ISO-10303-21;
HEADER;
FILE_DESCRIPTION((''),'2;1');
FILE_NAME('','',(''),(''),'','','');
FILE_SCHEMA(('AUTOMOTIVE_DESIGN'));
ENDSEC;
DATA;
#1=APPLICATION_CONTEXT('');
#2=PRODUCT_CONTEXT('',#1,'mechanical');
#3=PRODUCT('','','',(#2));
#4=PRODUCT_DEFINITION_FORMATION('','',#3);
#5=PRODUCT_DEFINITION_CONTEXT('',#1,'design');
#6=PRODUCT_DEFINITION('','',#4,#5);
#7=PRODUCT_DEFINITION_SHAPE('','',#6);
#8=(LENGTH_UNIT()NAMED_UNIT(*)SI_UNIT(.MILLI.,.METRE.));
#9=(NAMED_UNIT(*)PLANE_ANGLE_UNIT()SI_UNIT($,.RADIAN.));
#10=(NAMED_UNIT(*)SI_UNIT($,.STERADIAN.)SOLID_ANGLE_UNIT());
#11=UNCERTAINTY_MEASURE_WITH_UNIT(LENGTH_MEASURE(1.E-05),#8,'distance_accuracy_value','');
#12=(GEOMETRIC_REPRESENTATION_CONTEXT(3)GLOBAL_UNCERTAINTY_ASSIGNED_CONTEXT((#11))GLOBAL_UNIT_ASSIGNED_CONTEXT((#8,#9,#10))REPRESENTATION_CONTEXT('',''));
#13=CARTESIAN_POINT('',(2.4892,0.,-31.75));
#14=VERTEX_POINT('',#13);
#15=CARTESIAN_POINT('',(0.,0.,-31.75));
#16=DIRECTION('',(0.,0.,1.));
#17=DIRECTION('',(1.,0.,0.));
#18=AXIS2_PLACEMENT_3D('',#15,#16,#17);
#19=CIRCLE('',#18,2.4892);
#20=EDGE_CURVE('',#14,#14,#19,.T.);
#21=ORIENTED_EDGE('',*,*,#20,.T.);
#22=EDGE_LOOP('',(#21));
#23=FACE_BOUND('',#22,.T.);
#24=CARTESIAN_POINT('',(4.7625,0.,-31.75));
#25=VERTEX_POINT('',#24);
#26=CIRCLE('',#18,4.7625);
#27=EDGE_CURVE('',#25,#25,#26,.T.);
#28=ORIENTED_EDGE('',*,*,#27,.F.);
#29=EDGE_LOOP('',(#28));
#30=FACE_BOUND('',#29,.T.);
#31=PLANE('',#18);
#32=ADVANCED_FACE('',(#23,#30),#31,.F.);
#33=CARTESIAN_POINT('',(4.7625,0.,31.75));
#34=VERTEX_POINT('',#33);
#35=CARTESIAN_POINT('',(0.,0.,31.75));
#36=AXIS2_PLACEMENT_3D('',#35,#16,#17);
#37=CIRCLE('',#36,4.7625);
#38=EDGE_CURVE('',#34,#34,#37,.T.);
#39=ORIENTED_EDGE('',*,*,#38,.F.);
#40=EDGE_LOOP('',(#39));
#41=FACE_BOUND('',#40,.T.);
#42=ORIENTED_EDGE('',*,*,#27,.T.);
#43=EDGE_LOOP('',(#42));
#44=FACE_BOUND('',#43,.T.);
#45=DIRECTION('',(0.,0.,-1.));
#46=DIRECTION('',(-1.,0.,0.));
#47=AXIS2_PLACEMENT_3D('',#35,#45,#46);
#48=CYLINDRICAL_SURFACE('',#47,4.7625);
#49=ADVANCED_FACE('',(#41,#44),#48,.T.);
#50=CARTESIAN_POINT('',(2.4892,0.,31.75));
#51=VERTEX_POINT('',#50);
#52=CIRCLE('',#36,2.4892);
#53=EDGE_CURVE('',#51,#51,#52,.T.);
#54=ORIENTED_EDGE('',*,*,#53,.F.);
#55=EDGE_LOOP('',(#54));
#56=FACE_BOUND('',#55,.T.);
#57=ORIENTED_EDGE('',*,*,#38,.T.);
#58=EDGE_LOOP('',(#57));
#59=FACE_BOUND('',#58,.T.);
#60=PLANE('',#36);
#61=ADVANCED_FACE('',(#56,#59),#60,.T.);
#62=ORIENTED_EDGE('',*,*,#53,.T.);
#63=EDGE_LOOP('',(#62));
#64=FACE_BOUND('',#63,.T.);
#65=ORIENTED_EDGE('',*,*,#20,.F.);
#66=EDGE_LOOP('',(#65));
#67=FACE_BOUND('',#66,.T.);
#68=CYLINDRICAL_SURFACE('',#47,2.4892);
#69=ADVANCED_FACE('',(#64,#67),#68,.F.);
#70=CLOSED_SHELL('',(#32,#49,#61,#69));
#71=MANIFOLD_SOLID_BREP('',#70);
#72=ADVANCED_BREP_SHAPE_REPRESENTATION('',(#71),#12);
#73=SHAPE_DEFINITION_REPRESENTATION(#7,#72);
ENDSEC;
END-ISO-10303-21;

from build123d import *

# Parameters (mm, degrees)
SKETCH1_R           = 4.7625
SKETCH1_R_2         = 2.4892
BOSS_EXTRUDE1_DEPTH = 31.75


with BuildPart() as part:
    # Sketch1 → Boss-Extrude1 (new, symmetric)
    with BuildSketch(Plane.XY):
        Circle(SKETCH1_R)
        Circle(SKETCH1_R_2, mode=Mode.SUBTRACT)
    extrude(amount=BOSS_EXTRUDE1_DEPTH, both=True)


solid = part.part
